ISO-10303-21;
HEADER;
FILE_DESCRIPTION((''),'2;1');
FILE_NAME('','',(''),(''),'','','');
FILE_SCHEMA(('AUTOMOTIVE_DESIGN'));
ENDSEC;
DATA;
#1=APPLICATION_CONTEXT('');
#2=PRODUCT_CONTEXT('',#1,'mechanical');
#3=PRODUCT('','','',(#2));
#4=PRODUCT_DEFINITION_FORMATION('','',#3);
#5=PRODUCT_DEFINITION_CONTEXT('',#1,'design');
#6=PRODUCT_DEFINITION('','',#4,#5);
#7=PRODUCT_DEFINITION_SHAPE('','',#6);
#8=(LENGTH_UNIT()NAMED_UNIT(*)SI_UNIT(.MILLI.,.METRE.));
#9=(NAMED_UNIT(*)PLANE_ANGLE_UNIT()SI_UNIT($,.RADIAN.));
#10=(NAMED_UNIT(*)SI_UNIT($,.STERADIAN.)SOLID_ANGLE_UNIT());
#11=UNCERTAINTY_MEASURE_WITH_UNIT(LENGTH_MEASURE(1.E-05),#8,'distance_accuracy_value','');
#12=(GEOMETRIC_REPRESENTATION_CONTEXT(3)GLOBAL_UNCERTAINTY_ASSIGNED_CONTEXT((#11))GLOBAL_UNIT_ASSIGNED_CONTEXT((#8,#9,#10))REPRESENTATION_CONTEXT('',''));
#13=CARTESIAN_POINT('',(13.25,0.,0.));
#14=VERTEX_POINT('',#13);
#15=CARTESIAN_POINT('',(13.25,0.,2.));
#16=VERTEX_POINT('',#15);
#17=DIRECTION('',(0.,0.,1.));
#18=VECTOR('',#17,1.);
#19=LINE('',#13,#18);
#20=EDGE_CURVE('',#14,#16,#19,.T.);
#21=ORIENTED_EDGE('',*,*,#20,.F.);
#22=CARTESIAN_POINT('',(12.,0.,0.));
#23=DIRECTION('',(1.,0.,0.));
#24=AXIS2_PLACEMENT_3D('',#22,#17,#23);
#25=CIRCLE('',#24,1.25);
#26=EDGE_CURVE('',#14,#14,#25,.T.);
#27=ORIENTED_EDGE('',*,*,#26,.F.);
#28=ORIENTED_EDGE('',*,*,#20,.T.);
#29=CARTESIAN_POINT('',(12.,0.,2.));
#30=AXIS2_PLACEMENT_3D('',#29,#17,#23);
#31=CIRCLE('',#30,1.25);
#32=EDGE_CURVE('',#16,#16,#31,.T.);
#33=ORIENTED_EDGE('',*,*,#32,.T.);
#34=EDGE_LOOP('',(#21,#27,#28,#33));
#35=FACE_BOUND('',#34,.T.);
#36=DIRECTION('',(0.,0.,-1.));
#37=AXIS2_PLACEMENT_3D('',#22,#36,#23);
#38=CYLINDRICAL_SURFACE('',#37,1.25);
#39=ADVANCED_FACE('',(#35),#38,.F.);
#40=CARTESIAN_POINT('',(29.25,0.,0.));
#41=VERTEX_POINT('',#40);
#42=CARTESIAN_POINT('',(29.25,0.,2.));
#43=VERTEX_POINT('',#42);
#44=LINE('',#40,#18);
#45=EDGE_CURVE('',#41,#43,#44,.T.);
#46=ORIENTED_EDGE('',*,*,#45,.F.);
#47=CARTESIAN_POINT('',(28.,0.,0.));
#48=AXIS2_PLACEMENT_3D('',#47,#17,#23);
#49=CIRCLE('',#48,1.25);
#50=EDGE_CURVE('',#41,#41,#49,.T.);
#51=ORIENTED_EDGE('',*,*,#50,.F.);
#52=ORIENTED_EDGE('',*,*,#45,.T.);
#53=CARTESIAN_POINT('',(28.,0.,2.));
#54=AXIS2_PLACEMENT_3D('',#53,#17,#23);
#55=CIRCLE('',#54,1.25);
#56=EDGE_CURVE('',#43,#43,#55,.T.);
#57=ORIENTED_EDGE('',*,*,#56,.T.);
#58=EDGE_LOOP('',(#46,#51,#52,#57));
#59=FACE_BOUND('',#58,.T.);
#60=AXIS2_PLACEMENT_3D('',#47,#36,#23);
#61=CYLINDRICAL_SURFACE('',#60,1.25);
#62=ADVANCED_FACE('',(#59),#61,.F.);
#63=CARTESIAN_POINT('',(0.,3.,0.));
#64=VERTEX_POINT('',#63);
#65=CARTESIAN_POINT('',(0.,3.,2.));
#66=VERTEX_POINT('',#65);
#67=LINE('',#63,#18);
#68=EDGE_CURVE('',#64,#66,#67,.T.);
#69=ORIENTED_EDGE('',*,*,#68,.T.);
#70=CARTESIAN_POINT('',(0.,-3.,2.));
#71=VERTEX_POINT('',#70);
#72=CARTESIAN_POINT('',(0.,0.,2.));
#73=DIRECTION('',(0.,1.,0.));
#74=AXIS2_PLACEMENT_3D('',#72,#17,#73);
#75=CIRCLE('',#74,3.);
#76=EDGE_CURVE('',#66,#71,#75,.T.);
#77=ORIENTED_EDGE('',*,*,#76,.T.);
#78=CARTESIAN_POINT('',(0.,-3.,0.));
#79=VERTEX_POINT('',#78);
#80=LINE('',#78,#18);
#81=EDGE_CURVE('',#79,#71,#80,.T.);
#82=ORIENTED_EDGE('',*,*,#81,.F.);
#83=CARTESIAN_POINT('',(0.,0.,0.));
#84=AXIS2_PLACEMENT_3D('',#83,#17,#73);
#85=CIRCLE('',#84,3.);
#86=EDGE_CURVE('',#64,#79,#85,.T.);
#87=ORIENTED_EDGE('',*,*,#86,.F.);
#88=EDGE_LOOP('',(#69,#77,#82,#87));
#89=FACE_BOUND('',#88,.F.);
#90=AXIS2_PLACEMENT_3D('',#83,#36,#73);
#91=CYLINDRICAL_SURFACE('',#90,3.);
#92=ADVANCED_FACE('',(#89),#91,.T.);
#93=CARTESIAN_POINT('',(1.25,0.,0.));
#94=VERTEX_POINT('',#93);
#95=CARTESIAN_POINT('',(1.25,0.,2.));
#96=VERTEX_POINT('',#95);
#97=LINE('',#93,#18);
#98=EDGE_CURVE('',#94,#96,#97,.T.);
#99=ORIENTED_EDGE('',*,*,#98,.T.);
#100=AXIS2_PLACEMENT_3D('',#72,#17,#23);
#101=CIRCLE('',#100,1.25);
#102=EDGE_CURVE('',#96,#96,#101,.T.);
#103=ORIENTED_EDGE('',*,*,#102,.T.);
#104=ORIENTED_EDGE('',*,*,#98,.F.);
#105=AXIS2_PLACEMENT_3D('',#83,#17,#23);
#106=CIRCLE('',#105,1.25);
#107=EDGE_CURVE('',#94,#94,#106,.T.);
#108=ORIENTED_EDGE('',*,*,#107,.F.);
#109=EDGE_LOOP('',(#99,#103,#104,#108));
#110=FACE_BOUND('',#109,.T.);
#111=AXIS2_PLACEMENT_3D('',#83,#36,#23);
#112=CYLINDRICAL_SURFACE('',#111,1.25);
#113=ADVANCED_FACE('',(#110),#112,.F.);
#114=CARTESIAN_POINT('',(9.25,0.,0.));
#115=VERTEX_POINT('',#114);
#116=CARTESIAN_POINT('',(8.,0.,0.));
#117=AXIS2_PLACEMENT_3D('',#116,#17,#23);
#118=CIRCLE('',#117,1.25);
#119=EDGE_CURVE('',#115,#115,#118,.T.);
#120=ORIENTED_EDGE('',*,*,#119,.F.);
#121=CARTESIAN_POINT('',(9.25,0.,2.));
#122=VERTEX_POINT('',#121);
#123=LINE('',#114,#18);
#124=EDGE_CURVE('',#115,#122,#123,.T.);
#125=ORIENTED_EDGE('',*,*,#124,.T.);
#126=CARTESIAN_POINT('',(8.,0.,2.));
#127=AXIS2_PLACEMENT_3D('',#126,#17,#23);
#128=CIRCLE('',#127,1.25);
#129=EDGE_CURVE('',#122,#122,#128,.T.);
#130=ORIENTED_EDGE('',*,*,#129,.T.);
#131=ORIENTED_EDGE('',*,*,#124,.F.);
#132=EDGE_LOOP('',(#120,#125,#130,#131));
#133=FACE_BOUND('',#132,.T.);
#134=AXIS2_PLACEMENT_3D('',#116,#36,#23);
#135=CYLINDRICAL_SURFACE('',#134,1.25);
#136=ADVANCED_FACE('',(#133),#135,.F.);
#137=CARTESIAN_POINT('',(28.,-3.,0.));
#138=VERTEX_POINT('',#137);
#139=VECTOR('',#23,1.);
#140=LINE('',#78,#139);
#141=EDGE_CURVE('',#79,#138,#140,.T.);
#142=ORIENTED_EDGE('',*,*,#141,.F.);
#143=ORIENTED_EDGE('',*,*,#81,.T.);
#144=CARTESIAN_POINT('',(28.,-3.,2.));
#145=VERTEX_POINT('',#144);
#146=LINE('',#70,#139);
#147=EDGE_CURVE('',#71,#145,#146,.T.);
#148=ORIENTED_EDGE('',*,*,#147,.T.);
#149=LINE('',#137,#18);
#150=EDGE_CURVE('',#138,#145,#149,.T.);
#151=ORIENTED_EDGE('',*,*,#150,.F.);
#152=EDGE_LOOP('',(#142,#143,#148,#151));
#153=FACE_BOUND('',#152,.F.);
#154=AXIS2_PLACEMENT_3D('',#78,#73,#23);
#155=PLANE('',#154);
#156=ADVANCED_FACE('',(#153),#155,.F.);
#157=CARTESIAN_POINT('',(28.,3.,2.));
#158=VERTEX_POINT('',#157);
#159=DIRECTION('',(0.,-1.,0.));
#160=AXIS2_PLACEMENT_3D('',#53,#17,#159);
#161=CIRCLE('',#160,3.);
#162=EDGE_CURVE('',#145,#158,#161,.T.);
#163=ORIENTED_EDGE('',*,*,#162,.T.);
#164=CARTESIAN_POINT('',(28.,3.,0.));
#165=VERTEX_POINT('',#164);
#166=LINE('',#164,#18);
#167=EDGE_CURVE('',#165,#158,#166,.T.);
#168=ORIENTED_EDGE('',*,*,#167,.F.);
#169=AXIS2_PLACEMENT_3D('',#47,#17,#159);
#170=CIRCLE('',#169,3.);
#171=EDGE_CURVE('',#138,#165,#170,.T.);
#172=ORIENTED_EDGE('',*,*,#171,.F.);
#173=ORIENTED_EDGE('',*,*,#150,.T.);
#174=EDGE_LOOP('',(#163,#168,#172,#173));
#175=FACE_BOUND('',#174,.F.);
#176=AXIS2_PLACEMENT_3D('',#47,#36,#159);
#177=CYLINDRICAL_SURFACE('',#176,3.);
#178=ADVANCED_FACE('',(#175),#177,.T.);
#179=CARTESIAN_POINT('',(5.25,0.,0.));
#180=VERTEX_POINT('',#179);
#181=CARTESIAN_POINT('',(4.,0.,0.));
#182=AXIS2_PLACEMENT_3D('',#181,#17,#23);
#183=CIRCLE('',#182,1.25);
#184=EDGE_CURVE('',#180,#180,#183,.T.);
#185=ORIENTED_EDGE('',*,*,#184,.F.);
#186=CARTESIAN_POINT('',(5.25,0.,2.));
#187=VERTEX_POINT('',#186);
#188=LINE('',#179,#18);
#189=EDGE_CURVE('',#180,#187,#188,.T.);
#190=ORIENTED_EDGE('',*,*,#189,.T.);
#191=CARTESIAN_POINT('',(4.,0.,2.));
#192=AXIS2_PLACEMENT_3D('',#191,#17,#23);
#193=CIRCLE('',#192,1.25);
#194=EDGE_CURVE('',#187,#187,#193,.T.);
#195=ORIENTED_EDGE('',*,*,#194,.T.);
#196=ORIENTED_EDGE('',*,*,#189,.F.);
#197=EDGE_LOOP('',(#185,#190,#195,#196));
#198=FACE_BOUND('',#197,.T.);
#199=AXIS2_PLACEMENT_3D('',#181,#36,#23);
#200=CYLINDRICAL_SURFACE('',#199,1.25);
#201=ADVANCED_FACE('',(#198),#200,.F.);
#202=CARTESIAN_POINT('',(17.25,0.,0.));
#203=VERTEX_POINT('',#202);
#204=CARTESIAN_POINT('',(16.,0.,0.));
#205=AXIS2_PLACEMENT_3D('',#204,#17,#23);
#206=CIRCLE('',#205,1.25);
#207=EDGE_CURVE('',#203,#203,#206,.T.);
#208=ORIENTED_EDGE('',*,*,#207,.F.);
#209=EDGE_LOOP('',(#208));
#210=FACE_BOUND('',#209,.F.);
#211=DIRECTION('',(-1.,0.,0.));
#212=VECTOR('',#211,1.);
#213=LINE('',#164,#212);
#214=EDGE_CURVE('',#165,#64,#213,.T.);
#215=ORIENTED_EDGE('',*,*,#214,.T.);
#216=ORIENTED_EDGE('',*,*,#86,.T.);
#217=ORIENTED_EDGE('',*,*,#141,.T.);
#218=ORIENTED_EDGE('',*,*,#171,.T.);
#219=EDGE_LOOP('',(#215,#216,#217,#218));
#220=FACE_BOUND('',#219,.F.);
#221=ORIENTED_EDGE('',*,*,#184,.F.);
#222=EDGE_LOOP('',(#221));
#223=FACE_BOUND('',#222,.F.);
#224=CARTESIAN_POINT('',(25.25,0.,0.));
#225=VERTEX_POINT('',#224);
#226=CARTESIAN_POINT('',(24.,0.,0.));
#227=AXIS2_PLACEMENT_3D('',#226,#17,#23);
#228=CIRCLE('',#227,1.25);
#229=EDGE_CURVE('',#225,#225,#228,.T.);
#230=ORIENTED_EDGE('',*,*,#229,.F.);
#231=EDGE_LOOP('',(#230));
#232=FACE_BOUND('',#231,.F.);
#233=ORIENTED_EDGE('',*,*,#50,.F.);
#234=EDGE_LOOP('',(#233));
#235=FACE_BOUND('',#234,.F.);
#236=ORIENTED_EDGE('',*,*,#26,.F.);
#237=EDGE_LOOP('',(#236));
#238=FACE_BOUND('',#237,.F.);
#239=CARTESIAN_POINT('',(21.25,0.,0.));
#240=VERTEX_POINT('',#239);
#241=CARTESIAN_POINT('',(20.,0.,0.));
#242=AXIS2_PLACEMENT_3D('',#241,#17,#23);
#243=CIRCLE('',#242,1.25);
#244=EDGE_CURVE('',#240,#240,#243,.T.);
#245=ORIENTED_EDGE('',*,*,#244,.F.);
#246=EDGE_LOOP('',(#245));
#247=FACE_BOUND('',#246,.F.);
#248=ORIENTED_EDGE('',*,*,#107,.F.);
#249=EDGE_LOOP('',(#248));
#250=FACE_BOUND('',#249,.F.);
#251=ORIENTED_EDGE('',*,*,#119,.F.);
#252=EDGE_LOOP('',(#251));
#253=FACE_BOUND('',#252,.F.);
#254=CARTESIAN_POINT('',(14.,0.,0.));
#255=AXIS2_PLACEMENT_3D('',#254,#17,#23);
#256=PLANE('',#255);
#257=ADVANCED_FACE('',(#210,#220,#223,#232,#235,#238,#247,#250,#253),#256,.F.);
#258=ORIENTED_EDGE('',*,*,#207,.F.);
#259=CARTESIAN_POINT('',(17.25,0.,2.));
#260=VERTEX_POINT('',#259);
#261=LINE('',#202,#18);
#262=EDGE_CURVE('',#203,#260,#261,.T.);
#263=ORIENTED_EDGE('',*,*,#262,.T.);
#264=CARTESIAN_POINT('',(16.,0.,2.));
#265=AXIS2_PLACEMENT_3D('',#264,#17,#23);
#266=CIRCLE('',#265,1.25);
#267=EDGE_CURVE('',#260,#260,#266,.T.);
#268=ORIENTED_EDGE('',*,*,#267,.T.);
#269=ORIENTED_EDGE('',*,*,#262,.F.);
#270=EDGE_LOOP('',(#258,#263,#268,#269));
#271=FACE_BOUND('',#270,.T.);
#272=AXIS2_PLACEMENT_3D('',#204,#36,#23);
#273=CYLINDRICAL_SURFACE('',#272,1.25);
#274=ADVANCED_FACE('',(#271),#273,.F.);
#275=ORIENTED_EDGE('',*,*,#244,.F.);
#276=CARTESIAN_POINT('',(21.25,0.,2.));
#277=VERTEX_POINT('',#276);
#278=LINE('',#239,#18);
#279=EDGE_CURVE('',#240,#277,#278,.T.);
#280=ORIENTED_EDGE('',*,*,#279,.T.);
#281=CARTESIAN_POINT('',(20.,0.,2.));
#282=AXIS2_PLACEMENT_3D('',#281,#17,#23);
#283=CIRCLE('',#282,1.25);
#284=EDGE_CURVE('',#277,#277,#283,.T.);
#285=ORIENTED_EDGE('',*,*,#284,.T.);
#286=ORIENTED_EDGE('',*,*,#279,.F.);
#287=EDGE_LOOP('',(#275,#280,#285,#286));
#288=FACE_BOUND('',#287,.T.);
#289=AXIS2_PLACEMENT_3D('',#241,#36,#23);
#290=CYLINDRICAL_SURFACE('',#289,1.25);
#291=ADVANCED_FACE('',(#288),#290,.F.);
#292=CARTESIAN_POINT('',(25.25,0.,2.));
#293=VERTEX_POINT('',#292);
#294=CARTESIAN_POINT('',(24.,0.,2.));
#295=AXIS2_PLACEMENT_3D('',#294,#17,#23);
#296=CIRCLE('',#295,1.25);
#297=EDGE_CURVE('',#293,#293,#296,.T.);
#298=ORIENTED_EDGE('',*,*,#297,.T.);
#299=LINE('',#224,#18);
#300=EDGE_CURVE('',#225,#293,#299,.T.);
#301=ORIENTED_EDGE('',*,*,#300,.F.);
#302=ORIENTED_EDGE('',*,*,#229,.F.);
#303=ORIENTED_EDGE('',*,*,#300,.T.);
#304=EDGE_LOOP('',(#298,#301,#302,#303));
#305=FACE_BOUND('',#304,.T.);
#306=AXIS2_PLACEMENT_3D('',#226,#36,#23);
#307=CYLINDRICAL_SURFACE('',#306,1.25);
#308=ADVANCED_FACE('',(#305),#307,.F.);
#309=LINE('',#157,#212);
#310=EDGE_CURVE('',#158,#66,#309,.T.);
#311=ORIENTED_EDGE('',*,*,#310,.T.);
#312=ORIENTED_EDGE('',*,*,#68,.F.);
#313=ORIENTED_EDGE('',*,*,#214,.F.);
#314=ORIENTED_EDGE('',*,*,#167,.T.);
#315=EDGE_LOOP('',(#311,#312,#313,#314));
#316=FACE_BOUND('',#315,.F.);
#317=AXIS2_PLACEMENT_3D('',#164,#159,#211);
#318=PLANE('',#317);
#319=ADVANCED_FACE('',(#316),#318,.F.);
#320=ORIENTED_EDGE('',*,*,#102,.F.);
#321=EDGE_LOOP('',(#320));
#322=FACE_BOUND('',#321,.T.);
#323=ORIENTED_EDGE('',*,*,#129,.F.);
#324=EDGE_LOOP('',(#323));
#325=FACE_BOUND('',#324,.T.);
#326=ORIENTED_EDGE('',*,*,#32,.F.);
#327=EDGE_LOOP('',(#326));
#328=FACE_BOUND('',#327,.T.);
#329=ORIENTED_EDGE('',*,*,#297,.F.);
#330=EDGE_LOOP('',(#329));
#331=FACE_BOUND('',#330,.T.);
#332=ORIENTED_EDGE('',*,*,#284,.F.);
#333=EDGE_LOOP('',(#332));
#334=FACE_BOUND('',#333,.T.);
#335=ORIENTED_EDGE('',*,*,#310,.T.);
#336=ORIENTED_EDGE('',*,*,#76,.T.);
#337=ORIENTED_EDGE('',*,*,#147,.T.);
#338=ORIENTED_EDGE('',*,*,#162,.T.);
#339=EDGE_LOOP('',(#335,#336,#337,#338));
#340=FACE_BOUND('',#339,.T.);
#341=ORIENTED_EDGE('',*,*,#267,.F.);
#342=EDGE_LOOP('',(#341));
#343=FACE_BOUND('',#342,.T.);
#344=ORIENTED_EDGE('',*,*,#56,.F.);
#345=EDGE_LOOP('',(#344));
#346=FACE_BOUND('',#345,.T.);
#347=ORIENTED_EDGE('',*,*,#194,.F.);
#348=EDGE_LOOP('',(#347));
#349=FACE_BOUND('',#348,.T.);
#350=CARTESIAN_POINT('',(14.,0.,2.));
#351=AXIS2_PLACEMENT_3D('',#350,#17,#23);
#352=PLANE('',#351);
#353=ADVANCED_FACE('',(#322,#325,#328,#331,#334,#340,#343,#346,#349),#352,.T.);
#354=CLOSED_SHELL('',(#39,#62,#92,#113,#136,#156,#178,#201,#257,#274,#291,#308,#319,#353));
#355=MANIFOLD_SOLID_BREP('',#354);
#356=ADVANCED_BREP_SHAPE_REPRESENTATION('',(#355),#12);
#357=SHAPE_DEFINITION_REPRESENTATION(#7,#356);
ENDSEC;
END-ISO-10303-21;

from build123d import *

# Parameters (mm, degrees)
F0_R     = 1.25
F1_DEPTH = 2


with BuildPart() as f1:
    # F0 (on Top) → F1 (new body)
    with BuildSketch(Plane.XY):
        with BuildLine():
            ThreePointArc((0, 3), (-3, 0), (0, -3))
            Line((0, -3), (28, -3))
            ThreePointArc((28, -3), (31, 0), (28, 3))
            Line((28, 3), (0, 3))
        make_face()
        Circle(F0_R, mode=Mode.SUBTRACT)
        with Locations((4, 0)):
            Circle(F0_R, mode=Mode.SUBTRACT)
        with Locations((8, 0)):
            Circle(F0_R, mode=Mode.SUBTRACT)
        with Locations((12, 0)):
            Circle(F0_R, mode=Mode.SUBTRACT)
        with Locations((16, 0)):
            Circle(F0_R, mode=Mode.SUBTRACT)
        with Locations((20, 0)):
            Circle(F0_R, mode=Mode.SUBTRACT)
        with Locations((24, 0)):
            Circle(F0_R, mode=Mode.SUBTRACT)
        with Locations((28, 0)):
            Circle(F0_R, mode=Mode.SUBTRACT)
    extrude(amount=F1_DEPTH)


solid = f1.part
